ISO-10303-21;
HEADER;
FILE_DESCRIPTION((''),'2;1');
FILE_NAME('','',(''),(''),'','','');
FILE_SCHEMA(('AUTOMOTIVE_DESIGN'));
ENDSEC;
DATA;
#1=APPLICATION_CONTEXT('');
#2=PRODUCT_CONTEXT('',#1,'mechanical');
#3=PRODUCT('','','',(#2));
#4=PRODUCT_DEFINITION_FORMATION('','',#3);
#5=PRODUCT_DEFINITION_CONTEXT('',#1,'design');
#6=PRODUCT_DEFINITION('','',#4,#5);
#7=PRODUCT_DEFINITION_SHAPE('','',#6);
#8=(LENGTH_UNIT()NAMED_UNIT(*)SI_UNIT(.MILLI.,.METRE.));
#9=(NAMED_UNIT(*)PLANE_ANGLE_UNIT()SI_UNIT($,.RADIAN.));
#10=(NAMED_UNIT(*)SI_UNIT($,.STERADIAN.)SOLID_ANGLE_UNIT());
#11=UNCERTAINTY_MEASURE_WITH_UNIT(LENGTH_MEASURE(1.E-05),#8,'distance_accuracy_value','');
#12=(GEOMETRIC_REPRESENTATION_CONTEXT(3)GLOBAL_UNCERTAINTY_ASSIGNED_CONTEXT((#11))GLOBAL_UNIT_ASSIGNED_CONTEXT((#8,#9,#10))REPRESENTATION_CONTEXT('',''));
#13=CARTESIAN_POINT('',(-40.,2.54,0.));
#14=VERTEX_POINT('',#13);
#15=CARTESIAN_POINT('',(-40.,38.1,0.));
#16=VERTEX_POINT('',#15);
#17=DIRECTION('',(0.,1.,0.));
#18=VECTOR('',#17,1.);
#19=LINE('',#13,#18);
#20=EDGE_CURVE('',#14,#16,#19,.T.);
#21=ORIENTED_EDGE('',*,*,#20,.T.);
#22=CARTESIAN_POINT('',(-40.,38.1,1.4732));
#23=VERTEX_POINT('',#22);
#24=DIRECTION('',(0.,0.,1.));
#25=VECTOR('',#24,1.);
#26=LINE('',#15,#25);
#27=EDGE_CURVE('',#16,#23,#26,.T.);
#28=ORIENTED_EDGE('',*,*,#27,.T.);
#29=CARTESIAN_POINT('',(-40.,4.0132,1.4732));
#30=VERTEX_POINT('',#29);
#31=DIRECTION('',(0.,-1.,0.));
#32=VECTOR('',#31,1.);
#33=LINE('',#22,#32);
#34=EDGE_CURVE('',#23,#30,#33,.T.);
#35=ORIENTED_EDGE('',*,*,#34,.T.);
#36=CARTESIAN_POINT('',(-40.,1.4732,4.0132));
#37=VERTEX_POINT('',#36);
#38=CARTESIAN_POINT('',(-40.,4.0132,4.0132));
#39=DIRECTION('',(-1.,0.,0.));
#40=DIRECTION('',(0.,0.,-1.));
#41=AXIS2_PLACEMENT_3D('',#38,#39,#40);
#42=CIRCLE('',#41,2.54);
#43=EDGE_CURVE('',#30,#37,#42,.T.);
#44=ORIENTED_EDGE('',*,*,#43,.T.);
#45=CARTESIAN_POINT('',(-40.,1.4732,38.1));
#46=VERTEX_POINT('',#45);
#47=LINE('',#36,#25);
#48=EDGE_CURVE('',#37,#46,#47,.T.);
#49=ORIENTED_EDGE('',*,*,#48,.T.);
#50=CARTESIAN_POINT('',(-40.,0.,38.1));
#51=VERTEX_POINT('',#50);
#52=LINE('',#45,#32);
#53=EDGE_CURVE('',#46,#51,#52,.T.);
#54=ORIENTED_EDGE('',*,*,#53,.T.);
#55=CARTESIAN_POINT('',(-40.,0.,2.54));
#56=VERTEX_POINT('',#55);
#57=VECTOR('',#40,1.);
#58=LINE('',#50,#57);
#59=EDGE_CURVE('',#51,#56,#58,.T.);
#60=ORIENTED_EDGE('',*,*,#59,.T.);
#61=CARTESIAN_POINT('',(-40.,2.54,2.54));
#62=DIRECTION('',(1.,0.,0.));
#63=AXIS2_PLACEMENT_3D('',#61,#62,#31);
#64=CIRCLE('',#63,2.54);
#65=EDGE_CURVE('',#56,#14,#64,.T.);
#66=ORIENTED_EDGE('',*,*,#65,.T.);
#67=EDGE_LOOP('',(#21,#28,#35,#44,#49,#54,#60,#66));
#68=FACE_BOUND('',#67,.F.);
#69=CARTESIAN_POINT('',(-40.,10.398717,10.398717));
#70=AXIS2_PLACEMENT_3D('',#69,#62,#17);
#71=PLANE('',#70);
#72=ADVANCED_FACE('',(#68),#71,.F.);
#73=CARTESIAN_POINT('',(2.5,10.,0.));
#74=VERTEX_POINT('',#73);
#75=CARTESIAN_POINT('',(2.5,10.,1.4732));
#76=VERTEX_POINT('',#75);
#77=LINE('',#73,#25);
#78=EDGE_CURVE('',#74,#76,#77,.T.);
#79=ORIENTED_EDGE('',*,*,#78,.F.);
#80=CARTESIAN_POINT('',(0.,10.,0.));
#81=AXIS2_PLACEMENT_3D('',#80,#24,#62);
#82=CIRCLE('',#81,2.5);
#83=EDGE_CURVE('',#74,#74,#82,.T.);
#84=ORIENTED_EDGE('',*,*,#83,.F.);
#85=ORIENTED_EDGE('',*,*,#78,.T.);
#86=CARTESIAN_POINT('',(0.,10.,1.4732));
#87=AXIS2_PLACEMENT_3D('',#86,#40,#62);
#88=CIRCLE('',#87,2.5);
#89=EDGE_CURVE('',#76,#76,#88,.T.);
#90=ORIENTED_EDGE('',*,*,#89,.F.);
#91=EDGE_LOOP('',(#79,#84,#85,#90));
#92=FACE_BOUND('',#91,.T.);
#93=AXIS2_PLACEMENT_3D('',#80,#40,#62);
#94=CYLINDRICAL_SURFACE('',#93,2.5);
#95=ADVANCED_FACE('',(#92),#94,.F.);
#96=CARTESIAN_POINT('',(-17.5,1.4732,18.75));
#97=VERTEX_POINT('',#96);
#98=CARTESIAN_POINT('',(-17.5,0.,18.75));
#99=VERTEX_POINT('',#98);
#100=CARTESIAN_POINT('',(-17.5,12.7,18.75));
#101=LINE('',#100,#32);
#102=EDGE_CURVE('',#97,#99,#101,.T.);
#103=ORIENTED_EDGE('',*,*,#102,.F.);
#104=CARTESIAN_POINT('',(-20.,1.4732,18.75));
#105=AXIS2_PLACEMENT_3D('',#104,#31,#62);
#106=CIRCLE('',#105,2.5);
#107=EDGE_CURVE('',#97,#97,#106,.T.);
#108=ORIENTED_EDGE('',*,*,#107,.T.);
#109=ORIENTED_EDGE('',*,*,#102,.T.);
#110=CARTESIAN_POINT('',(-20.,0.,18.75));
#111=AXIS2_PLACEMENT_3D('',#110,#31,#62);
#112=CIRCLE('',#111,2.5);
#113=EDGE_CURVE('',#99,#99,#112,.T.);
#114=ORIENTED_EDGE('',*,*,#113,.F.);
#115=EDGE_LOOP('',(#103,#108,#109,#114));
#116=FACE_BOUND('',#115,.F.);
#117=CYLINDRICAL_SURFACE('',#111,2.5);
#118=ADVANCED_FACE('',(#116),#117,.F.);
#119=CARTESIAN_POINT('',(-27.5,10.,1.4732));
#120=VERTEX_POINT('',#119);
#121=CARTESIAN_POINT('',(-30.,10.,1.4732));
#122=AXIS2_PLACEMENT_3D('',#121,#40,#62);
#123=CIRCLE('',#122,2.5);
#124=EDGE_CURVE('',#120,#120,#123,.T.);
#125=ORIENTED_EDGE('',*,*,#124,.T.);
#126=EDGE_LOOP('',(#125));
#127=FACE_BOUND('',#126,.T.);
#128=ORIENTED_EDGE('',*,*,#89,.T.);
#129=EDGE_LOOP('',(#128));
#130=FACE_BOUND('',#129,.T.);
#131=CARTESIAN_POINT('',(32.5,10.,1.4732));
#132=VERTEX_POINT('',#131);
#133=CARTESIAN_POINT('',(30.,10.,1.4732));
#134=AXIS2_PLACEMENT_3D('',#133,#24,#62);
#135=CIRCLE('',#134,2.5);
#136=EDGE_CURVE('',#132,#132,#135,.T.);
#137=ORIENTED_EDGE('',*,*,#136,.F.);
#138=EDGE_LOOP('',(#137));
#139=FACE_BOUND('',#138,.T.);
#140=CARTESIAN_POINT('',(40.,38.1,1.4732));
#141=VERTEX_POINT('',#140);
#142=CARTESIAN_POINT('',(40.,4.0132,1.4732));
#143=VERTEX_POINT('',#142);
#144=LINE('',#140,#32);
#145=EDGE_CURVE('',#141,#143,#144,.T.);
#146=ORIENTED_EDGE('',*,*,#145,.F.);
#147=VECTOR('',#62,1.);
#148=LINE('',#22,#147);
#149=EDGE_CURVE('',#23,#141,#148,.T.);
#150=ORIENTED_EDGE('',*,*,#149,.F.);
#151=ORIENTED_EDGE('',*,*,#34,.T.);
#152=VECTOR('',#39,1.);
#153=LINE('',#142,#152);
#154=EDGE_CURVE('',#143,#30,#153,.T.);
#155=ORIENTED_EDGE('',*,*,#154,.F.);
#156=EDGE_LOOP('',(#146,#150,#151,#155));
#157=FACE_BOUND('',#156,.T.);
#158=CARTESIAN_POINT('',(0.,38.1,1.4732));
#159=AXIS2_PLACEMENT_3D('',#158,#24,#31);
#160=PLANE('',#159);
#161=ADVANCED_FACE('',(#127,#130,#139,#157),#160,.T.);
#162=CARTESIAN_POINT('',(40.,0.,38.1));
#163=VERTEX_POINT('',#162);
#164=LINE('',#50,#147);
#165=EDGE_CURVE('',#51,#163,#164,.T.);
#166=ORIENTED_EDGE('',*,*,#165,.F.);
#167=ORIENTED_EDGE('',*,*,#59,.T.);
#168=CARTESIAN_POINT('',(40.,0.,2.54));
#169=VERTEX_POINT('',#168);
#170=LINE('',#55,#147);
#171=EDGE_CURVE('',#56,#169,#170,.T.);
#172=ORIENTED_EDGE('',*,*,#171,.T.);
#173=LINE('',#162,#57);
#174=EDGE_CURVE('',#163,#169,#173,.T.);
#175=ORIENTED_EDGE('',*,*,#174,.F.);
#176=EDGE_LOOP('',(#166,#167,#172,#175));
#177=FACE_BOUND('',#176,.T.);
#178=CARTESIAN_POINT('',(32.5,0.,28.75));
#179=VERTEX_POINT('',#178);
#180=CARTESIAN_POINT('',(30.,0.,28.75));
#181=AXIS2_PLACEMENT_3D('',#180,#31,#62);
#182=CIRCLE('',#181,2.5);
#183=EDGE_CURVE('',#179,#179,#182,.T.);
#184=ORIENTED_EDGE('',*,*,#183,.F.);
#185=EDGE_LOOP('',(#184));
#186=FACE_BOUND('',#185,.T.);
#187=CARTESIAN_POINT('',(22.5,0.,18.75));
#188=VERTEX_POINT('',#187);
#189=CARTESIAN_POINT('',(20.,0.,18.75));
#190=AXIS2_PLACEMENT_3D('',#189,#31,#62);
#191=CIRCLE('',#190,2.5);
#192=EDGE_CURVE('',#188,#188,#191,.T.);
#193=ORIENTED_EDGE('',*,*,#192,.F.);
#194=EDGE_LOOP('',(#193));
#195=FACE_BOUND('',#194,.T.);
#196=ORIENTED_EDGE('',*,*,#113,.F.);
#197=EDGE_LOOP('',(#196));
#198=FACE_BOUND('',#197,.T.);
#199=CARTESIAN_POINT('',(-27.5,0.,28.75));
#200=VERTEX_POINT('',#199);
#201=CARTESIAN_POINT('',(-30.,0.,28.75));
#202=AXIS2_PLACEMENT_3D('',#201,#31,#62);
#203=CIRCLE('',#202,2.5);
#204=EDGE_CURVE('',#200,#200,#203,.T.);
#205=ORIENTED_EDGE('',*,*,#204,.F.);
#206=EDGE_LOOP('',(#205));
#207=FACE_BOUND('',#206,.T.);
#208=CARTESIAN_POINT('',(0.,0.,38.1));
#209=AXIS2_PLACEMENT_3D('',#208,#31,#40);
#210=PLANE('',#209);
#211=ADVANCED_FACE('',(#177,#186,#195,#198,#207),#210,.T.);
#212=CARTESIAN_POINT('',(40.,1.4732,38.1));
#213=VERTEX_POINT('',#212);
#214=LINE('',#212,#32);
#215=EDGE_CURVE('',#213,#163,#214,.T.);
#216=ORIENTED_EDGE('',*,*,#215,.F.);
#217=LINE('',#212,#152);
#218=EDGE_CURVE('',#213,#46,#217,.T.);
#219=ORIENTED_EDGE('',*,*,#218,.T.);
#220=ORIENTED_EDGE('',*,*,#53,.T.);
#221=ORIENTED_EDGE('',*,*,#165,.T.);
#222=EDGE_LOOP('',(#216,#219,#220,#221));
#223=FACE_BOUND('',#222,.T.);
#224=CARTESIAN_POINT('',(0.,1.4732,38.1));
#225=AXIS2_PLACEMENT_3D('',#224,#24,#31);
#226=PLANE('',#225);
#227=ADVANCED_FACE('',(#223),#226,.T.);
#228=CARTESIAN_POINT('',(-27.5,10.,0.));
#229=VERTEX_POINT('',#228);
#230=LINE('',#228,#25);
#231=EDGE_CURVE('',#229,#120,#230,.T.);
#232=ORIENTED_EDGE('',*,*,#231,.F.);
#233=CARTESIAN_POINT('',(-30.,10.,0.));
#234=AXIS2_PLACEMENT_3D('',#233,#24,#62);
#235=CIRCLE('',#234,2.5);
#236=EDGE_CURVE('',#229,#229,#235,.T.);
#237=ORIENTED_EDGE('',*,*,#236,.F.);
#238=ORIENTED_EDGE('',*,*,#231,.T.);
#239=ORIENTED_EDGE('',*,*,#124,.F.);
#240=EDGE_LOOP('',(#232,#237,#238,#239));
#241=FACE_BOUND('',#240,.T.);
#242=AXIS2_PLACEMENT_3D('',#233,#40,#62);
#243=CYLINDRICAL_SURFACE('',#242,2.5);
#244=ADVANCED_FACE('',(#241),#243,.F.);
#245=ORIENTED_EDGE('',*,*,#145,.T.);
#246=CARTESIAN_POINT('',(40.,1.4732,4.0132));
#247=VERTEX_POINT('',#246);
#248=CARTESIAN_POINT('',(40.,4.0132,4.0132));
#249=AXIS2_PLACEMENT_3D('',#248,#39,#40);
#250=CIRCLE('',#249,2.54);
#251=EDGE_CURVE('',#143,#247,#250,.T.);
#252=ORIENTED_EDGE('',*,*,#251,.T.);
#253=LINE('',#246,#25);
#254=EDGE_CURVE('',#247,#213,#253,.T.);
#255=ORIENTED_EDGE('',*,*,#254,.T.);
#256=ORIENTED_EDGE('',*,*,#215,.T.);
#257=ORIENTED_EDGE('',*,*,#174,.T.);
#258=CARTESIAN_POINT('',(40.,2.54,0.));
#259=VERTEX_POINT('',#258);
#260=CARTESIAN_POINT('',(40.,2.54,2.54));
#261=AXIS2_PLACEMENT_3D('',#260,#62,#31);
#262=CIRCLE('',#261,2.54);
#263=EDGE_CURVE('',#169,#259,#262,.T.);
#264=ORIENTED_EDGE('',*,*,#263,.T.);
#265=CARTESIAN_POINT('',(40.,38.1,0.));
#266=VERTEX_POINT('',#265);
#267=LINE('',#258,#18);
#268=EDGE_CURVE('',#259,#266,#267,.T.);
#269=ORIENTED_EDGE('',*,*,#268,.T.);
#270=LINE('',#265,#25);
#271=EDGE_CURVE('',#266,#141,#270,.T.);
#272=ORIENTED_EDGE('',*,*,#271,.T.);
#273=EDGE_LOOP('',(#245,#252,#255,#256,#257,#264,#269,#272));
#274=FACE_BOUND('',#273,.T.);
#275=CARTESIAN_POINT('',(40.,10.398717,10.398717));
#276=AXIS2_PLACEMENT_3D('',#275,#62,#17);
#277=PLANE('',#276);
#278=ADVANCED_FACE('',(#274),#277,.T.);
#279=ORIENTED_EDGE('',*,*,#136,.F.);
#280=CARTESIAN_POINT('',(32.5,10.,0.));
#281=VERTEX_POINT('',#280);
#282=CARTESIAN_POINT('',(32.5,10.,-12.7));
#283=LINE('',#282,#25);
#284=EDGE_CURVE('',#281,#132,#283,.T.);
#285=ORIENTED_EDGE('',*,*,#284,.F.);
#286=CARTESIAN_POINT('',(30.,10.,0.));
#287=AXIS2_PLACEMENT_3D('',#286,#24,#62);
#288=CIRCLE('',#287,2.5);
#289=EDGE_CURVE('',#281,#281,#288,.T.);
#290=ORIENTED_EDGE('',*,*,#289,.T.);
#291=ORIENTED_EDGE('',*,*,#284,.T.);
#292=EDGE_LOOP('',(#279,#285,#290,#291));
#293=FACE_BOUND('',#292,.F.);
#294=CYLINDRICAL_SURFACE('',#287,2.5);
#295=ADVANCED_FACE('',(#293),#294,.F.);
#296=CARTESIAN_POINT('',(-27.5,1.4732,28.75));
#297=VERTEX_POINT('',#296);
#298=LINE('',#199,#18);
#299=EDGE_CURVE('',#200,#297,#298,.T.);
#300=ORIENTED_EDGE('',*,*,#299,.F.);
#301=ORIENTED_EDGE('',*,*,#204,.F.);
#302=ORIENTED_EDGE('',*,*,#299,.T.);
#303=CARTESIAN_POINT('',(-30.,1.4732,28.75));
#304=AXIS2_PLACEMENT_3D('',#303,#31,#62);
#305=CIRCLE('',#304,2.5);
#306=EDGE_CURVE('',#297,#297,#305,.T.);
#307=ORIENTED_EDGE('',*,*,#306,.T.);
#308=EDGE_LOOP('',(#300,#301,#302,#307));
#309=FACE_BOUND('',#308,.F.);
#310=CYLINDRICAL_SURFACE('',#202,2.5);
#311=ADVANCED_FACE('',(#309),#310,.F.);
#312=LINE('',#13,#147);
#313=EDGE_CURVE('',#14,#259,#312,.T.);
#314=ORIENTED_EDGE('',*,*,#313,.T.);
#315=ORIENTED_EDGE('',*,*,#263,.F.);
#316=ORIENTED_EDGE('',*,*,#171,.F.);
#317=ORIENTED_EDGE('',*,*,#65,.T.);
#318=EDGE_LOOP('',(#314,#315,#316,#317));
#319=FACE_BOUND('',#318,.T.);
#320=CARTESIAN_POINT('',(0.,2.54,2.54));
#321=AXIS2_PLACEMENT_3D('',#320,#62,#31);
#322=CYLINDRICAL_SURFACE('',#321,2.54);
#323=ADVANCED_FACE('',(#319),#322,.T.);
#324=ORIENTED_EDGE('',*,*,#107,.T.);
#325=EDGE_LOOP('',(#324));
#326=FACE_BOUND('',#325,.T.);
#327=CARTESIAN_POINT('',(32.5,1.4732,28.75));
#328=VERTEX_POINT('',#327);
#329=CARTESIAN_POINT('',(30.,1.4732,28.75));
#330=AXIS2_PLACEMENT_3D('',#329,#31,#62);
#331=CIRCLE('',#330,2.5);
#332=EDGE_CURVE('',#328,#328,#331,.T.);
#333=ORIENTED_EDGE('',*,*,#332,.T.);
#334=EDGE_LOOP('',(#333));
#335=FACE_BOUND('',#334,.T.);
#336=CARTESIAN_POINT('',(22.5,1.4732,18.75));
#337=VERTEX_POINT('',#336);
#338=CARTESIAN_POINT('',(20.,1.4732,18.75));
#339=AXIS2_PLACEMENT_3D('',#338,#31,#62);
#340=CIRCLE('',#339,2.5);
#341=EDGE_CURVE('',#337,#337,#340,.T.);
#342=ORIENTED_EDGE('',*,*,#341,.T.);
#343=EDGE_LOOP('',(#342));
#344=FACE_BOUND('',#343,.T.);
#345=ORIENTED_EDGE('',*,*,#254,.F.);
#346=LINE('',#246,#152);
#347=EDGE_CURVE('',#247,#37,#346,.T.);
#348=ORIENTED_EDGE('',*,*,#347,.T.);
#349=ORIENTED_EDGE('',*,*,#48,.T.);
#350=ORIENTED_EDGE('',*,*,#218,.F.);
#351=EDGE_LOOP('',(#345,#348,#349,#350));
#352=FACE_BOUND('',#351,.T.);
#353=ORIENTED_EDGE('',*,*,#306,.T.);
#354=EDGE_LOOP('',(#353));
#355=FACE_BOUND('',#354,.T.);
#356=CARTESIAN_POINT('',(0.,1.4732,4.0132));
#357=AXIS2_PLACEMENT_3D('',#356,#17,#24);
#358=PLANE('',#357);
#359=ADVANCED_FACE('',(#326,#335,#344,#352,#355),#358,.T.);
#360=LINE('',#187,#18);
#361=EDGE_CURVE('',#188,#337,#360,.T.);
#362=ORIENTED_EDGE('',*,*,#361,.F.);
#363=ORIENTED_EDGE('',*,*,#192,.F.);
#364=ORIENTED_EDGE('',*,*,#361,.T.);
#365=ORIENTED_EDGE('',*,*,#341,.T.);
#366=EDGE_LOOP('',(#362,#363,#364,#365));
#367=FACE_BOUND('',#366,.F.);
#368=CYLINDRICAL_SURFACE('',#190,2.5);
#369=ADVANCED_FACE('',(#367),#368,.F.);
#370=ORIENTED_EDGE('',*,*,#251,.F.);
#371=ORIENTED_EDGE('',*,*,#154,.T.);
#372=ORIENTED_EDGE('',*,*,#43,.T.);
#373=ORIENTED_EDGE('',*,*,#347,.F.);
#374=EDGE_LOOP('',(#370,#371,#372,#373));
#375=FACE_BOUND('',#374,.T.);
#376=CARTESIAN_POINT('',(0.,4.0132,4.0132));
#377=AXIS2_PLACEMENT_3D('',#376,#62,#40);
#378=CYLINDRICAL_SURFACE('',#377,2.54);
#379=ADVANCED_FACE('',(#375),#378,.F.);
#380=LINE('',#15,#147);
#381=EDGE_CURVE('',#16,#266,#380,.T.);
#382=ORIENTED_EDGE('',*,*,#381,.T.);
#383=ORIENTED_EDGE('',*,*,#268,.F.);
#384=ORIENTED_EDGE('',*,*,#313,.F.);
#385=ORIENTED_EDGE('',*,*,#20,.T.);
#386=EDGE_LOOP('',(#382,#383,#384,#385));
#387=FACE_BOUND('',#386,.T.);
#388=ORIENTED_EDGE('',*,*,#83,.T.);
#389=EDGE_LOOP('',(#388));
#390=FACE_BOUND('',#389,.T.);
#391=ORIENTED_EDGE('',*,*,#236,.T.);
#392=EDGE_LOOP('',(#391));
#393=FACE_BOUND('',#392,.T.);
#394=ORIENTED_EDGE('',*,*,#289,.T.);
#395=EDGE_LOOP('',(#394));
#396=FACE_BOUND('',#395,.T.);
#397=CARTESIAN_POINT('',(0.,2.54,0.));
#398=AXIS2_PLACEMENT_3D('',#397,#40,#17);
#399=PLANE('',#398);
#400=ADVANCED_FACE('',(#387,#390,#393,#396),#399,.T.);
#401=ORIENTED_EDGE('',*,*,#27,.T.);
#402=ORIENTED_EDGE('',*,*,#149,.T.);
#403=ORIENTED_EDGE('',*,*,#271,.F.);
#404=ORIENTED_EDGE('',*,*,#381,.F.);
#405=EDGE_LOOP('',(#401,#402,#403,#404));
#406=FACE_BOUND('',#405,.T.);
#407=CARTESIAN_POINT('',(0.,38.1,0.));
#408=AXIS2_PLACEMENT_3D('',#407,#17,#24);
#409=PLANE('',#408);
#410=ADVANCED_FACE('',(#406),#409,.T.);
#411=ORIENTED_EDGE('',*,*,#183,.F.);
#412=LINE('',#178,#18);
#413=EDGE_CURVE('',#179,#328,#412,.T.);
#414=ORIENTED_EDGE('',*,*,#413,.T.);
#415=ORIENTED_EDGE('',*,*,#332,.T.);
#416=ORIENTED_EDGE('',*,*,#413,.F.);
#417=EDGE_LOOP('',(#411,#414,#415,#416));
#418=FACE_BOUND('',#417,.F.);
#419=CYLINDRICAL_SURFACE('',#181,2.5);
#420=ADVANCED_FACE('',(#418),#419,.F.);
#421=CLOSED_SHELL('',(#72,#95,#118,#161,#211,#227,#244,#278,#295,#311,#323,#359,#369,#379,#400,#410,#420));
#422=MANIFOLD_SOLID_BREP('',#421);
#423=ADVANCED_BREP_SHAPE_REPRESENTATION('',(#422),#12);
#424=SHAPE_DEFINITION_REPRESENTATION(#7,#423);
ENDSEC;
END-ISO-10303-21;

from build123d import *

# Parameters (mm, degrees)
F1_DEPTH = 40
F2_R     = 2.5
F3_DEPTH = 12.7
F4_R     = 2.5
F5_DEPTH = 12.7


with BuildPart() as f1:
    # F0 (on Right) → F1 (new body, symmetric)
    with BuildSketch(Plane.YZ):
        with BuildLine():
            Line((1.4732, 38.1), (0, 38.1))
            Line((0, 38.1), (0, 2.54))
            ThreePointArc((0, 2.54), (0.7439487758, 0.7439487758), (2.54, 0))
            Line((2.54, 0), (38.1, 0))
            Line((38.1, 0), (38.1, 1.4732))
            Line((38.1, 1.4732), (4.0132, 1.4732))
            ThreePointArc((4.0132, 1.4732), (2.2171487758, 2.2171487758), (1.4732, 4.0132))
            Line((1.4732, 4.0132), (1.4732, 38.1))
        make_face()
    extrude(amount=F1_DEPTH, both=True)

    # F2 (on Top) → F3 (cut, symmetric)
    with BuildSketch(Plane.XY):
        with Locations((-30, 10)):
            Circle(F2_R)
        with Locations((0, 10)):
            Circle(F2_R)
        with Locations((30, 10)):
            Circle(F2_R)
    extrude(amount=F3_DEPTH, both=True, mode=Mode.SUBTRACT)

    # F4 (on Front) → F5 (cut, symmetric)
    with BuildSketch(Plane.XZ):
        with Locations((-30, 28.75)):
            Circle(F4_R)
        with Locations((30, 28.75)):
            Circle(F4_R)
        with Locations((20, 18.75)):
            Circle(F4_R)
        with Locations((-20, 18.75)):
            Circle(F4_R)
    extrude(amount=F5_DEPTH, both=True, mode=Mode.SUBTRACT)


solid = f1.part
